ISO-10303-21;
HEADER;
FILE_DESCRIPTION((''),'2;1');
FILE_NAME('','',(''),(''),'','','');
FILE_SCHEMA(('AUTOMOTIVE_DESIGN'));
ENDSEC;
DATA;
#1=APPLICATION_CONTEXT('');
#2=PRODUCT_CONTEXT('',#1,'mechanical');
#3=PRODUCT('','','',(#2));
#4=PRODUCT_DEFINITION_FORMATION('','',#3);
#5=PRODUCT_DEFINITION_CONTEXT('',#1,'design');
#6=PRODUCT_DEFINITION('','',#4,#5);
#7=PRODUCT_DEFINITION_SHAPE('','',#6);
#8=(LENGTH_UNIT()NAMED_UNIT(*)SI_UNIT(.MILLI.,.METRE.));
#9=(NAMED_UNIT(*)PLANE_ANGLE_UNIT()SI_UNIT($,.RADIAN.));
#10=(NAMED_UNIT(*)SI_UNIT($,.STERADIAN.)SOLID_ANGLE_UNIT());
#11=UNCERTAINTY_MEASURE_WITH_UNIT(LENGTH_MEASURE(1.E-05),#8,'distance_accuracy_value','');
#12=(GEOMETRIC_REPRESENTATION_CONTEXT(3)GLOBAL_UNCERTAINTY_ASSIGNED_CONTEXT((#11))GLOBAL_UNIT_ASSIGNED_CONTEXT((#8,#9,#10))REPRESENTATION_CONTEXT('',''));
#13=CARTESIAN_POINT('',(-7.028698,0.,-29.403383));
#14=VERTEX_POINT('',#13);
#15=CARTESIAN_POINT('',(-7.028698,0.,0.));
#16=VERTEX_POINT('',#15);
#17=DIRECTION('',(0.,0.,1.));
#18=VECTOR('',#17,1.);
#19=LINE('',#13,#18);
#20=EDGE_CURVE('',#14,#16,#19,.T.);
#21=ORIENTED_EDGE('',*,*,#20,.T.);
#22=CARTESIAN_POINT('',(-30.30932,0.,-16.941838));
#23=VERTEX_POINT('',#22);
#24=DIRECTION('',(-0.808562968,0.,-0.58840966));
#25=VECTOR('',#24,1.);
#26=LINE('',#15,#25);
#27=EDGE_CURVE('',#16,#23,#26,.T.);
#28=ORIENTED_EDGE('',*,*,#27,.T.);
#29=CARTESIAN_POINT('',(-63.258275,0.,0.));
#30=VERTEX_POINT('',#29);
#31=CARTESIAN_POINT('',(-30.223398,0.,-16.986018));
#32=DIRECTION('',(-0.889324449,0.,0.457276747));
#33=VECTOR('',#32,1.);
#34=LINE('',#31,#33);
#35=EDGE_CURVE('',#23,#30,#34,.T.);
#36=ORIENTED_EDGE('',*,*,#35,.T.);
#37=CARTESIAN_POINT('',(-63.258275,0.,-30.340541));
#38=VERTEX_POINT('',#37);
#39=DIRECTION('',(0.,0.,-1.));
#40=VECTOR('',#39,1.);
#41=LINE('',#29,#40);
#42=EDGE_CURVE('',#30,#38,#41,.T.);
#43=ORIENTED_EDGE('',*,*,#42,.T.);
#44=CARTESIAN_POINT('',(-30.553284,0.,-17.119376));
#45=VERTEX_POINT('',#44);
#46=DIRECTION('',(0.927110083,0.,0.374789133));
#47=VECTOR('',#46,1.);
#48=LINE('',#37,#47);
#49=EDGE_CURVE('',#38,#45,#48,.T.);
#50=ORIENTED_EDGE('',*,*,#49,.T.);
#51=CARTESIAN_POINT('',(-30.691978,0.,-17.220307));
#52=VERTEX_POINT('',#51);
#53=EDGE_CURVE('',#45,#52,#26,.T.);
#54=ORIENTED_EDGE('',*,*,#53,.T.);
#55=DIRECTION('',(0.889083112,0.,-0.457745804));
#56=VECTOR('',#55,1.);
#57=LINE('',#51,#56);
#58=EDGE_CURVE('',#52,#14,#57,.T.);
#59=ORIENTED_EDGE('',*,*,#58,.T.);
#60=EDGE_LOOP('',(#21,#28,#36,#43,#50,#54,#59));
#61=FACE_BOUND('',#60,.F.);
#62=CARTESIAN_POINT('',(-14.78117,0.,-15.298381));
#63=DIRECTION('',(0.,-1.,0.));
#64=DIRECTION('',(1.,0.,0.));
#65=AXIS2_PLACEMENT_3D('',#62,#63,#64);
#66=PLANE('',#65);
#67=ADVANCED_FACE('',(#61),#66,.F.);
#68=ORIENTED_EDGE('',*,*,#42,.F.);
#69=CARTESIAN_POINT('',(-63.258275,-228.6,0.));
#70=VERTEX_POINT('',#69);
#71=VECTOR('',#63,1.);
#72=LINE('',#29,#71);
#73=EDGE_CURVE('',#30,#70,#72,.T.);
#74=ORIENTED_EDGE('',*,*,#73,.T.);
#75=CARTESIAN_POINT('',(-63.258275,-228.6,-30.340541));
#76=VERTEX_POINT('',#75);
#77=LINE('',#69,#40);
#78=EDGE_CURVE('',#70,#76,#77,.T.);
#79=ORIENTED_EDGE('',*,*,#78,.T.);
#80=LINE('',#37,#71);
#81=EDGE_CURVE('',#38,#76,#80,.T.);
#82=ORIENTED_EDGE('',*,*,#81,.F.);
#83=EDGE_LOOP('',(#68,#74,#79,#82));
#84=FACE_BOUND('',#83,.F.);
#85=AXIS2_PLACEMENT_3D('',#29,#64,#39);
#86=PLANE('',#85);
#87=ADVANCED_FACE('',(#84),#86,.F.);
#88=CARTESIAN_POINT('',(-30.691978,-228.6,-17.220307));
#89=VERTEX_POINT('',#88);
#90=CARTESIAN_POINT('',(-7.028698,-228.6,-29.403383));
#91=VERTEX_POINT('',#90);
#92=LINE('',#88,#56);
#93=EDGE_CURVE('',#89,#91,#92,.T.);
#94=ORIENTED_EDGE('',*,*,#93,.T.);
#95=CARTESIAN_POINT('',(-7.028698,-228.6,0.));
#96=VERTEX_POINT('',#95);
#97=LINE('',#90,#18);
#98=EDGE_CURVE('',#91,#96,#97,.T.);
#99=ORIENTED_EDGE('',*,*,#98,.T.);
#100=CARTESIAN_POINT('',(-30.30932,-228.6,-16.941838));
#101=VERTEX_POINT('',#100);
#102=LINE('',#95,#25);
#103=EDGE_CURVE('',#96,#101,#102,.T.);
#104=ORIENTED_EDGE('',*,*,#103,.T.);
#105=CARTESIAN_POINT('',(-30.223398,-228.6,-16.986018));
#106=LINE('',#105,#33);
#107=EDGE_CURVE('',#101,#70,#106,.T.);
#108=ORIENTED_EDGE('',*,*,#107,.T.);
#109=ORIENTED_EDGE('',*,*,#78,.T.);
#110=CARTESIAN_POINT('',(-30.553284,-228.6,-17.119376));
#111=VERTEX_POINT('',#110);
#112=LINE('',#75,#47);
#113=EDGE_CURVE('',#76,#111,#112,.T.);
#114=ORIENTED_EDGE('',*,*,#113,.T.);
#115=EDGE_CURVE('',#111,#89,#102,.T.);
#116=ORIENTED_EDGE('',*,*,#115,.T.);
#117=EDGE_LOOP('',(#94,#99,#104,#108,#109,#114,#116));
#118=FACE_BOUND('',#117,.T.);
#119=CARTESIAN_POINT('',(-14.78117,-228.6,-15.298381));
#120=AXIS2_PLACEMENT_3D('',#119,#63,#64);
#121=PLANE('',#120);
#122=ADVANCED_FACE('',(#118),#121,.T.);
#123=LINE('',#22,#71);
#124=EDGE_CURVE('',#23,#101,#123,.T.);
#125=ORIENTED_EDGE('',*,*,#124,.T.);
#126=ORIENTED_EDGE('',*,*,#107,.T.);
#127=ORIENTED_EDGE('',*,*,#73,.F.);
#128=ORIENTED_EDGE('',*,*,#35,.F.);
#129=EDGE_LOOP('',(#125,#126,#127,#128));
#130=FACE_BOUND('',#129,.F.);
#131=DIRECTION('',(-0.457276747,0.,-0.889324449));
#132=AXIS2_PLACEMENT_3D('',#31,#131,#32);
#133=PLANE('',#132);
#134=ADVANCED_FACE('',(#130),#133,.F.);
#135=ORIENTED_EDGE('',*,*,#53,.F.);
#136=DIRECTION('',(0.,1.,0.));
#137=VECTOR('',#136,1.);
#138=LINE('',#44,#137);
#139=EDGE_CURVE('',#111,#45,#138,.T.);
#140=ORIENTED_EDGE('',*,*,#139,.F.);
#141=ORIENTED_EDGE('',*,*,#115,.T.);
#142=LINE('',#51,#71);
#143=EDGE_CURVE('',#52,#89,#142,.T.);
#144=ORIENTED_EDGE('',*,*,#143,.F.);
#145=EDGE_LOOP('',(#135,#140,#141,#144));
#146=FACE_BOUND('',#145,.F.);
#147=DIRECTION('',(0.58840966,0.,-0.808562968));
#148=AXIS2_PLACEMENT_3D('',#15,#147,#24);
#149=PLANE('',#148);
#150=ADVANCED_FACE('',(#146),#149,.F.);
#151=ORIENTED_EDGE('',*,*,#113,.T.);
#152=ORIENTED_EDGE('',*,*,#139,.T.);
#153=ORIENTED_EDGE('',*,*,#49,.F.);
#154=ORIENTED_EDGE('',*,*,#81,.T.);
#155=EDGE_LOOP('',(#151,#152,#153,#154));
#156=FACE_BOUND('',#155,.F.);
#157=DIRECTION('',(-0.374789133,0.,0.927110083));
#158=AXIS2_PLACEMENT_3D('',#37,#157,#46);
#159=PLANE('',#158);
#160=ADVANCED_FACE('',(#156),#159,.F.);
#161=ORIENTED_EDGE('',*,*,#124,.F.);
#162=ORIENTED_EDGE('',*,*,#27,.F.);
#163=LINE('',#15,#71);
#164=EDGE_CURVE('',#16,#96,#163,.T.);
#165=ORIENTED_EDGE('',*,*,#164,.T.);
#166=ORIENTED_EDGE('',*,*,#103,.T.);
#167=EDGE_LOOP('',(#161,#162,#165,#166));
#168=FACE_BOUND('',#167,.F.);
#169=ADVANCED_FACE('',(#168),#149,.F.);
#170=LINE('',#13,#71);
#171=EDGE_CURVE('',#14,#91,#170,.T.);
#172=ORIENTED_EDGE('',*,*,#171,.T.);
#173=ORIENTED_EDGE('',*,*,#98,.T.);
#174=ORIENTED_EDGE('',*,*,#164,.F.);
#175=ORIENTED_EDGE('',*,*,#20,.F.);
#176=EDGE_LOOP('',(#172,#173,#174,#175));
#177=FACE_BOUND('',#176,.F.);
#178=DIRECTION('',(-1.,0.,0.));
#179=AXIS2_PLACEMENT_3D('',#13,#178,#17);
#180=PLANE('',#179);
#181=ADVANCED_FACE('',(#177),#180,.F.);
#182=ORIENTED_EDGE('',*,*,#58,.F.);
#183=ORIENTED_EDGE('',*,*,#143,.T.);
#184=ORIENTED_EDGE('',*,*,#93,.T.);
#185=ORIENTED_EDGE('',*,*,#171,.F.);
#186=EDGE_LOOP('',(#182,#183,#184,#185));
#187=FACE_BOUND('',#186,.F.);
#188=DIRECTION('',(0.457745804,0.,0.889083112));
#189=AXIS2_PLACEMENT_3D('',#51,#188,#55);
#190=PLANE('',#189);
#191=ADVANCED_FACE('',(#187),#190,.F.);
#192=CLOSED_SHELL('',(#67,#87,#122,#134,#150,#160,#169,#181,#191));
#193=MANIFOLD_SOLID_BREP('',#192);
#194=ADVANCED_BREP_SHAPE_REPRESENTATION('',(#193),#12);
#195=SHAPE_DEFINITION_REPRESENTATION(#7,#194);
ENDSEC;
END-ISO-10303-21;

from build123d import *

# Parameters (mm, degrees)
F1_DEPTH = 228.6
F3_DEPTH = 228.6


with BuildPart() as f1:
    # F0 (on Front) → F1 (new body)
    with BuildSketch(Plane.XZ):
        Polygon((-63.258275, -30.340541), (-30.223398, -16.986018), (-63.258275, 0), align=None)
    extrude(amount=F1_DEPTH)

    # F2 (on Front) → F3 (join)
    with BuildSketch(Plane.XZ):
        Polygon((-7.028698, 0), (-30.691978, -17.220307), (-7.028698, -29.403383), align=None)
    extrude(amount=F3_DEPTH)


solid = f1.part
